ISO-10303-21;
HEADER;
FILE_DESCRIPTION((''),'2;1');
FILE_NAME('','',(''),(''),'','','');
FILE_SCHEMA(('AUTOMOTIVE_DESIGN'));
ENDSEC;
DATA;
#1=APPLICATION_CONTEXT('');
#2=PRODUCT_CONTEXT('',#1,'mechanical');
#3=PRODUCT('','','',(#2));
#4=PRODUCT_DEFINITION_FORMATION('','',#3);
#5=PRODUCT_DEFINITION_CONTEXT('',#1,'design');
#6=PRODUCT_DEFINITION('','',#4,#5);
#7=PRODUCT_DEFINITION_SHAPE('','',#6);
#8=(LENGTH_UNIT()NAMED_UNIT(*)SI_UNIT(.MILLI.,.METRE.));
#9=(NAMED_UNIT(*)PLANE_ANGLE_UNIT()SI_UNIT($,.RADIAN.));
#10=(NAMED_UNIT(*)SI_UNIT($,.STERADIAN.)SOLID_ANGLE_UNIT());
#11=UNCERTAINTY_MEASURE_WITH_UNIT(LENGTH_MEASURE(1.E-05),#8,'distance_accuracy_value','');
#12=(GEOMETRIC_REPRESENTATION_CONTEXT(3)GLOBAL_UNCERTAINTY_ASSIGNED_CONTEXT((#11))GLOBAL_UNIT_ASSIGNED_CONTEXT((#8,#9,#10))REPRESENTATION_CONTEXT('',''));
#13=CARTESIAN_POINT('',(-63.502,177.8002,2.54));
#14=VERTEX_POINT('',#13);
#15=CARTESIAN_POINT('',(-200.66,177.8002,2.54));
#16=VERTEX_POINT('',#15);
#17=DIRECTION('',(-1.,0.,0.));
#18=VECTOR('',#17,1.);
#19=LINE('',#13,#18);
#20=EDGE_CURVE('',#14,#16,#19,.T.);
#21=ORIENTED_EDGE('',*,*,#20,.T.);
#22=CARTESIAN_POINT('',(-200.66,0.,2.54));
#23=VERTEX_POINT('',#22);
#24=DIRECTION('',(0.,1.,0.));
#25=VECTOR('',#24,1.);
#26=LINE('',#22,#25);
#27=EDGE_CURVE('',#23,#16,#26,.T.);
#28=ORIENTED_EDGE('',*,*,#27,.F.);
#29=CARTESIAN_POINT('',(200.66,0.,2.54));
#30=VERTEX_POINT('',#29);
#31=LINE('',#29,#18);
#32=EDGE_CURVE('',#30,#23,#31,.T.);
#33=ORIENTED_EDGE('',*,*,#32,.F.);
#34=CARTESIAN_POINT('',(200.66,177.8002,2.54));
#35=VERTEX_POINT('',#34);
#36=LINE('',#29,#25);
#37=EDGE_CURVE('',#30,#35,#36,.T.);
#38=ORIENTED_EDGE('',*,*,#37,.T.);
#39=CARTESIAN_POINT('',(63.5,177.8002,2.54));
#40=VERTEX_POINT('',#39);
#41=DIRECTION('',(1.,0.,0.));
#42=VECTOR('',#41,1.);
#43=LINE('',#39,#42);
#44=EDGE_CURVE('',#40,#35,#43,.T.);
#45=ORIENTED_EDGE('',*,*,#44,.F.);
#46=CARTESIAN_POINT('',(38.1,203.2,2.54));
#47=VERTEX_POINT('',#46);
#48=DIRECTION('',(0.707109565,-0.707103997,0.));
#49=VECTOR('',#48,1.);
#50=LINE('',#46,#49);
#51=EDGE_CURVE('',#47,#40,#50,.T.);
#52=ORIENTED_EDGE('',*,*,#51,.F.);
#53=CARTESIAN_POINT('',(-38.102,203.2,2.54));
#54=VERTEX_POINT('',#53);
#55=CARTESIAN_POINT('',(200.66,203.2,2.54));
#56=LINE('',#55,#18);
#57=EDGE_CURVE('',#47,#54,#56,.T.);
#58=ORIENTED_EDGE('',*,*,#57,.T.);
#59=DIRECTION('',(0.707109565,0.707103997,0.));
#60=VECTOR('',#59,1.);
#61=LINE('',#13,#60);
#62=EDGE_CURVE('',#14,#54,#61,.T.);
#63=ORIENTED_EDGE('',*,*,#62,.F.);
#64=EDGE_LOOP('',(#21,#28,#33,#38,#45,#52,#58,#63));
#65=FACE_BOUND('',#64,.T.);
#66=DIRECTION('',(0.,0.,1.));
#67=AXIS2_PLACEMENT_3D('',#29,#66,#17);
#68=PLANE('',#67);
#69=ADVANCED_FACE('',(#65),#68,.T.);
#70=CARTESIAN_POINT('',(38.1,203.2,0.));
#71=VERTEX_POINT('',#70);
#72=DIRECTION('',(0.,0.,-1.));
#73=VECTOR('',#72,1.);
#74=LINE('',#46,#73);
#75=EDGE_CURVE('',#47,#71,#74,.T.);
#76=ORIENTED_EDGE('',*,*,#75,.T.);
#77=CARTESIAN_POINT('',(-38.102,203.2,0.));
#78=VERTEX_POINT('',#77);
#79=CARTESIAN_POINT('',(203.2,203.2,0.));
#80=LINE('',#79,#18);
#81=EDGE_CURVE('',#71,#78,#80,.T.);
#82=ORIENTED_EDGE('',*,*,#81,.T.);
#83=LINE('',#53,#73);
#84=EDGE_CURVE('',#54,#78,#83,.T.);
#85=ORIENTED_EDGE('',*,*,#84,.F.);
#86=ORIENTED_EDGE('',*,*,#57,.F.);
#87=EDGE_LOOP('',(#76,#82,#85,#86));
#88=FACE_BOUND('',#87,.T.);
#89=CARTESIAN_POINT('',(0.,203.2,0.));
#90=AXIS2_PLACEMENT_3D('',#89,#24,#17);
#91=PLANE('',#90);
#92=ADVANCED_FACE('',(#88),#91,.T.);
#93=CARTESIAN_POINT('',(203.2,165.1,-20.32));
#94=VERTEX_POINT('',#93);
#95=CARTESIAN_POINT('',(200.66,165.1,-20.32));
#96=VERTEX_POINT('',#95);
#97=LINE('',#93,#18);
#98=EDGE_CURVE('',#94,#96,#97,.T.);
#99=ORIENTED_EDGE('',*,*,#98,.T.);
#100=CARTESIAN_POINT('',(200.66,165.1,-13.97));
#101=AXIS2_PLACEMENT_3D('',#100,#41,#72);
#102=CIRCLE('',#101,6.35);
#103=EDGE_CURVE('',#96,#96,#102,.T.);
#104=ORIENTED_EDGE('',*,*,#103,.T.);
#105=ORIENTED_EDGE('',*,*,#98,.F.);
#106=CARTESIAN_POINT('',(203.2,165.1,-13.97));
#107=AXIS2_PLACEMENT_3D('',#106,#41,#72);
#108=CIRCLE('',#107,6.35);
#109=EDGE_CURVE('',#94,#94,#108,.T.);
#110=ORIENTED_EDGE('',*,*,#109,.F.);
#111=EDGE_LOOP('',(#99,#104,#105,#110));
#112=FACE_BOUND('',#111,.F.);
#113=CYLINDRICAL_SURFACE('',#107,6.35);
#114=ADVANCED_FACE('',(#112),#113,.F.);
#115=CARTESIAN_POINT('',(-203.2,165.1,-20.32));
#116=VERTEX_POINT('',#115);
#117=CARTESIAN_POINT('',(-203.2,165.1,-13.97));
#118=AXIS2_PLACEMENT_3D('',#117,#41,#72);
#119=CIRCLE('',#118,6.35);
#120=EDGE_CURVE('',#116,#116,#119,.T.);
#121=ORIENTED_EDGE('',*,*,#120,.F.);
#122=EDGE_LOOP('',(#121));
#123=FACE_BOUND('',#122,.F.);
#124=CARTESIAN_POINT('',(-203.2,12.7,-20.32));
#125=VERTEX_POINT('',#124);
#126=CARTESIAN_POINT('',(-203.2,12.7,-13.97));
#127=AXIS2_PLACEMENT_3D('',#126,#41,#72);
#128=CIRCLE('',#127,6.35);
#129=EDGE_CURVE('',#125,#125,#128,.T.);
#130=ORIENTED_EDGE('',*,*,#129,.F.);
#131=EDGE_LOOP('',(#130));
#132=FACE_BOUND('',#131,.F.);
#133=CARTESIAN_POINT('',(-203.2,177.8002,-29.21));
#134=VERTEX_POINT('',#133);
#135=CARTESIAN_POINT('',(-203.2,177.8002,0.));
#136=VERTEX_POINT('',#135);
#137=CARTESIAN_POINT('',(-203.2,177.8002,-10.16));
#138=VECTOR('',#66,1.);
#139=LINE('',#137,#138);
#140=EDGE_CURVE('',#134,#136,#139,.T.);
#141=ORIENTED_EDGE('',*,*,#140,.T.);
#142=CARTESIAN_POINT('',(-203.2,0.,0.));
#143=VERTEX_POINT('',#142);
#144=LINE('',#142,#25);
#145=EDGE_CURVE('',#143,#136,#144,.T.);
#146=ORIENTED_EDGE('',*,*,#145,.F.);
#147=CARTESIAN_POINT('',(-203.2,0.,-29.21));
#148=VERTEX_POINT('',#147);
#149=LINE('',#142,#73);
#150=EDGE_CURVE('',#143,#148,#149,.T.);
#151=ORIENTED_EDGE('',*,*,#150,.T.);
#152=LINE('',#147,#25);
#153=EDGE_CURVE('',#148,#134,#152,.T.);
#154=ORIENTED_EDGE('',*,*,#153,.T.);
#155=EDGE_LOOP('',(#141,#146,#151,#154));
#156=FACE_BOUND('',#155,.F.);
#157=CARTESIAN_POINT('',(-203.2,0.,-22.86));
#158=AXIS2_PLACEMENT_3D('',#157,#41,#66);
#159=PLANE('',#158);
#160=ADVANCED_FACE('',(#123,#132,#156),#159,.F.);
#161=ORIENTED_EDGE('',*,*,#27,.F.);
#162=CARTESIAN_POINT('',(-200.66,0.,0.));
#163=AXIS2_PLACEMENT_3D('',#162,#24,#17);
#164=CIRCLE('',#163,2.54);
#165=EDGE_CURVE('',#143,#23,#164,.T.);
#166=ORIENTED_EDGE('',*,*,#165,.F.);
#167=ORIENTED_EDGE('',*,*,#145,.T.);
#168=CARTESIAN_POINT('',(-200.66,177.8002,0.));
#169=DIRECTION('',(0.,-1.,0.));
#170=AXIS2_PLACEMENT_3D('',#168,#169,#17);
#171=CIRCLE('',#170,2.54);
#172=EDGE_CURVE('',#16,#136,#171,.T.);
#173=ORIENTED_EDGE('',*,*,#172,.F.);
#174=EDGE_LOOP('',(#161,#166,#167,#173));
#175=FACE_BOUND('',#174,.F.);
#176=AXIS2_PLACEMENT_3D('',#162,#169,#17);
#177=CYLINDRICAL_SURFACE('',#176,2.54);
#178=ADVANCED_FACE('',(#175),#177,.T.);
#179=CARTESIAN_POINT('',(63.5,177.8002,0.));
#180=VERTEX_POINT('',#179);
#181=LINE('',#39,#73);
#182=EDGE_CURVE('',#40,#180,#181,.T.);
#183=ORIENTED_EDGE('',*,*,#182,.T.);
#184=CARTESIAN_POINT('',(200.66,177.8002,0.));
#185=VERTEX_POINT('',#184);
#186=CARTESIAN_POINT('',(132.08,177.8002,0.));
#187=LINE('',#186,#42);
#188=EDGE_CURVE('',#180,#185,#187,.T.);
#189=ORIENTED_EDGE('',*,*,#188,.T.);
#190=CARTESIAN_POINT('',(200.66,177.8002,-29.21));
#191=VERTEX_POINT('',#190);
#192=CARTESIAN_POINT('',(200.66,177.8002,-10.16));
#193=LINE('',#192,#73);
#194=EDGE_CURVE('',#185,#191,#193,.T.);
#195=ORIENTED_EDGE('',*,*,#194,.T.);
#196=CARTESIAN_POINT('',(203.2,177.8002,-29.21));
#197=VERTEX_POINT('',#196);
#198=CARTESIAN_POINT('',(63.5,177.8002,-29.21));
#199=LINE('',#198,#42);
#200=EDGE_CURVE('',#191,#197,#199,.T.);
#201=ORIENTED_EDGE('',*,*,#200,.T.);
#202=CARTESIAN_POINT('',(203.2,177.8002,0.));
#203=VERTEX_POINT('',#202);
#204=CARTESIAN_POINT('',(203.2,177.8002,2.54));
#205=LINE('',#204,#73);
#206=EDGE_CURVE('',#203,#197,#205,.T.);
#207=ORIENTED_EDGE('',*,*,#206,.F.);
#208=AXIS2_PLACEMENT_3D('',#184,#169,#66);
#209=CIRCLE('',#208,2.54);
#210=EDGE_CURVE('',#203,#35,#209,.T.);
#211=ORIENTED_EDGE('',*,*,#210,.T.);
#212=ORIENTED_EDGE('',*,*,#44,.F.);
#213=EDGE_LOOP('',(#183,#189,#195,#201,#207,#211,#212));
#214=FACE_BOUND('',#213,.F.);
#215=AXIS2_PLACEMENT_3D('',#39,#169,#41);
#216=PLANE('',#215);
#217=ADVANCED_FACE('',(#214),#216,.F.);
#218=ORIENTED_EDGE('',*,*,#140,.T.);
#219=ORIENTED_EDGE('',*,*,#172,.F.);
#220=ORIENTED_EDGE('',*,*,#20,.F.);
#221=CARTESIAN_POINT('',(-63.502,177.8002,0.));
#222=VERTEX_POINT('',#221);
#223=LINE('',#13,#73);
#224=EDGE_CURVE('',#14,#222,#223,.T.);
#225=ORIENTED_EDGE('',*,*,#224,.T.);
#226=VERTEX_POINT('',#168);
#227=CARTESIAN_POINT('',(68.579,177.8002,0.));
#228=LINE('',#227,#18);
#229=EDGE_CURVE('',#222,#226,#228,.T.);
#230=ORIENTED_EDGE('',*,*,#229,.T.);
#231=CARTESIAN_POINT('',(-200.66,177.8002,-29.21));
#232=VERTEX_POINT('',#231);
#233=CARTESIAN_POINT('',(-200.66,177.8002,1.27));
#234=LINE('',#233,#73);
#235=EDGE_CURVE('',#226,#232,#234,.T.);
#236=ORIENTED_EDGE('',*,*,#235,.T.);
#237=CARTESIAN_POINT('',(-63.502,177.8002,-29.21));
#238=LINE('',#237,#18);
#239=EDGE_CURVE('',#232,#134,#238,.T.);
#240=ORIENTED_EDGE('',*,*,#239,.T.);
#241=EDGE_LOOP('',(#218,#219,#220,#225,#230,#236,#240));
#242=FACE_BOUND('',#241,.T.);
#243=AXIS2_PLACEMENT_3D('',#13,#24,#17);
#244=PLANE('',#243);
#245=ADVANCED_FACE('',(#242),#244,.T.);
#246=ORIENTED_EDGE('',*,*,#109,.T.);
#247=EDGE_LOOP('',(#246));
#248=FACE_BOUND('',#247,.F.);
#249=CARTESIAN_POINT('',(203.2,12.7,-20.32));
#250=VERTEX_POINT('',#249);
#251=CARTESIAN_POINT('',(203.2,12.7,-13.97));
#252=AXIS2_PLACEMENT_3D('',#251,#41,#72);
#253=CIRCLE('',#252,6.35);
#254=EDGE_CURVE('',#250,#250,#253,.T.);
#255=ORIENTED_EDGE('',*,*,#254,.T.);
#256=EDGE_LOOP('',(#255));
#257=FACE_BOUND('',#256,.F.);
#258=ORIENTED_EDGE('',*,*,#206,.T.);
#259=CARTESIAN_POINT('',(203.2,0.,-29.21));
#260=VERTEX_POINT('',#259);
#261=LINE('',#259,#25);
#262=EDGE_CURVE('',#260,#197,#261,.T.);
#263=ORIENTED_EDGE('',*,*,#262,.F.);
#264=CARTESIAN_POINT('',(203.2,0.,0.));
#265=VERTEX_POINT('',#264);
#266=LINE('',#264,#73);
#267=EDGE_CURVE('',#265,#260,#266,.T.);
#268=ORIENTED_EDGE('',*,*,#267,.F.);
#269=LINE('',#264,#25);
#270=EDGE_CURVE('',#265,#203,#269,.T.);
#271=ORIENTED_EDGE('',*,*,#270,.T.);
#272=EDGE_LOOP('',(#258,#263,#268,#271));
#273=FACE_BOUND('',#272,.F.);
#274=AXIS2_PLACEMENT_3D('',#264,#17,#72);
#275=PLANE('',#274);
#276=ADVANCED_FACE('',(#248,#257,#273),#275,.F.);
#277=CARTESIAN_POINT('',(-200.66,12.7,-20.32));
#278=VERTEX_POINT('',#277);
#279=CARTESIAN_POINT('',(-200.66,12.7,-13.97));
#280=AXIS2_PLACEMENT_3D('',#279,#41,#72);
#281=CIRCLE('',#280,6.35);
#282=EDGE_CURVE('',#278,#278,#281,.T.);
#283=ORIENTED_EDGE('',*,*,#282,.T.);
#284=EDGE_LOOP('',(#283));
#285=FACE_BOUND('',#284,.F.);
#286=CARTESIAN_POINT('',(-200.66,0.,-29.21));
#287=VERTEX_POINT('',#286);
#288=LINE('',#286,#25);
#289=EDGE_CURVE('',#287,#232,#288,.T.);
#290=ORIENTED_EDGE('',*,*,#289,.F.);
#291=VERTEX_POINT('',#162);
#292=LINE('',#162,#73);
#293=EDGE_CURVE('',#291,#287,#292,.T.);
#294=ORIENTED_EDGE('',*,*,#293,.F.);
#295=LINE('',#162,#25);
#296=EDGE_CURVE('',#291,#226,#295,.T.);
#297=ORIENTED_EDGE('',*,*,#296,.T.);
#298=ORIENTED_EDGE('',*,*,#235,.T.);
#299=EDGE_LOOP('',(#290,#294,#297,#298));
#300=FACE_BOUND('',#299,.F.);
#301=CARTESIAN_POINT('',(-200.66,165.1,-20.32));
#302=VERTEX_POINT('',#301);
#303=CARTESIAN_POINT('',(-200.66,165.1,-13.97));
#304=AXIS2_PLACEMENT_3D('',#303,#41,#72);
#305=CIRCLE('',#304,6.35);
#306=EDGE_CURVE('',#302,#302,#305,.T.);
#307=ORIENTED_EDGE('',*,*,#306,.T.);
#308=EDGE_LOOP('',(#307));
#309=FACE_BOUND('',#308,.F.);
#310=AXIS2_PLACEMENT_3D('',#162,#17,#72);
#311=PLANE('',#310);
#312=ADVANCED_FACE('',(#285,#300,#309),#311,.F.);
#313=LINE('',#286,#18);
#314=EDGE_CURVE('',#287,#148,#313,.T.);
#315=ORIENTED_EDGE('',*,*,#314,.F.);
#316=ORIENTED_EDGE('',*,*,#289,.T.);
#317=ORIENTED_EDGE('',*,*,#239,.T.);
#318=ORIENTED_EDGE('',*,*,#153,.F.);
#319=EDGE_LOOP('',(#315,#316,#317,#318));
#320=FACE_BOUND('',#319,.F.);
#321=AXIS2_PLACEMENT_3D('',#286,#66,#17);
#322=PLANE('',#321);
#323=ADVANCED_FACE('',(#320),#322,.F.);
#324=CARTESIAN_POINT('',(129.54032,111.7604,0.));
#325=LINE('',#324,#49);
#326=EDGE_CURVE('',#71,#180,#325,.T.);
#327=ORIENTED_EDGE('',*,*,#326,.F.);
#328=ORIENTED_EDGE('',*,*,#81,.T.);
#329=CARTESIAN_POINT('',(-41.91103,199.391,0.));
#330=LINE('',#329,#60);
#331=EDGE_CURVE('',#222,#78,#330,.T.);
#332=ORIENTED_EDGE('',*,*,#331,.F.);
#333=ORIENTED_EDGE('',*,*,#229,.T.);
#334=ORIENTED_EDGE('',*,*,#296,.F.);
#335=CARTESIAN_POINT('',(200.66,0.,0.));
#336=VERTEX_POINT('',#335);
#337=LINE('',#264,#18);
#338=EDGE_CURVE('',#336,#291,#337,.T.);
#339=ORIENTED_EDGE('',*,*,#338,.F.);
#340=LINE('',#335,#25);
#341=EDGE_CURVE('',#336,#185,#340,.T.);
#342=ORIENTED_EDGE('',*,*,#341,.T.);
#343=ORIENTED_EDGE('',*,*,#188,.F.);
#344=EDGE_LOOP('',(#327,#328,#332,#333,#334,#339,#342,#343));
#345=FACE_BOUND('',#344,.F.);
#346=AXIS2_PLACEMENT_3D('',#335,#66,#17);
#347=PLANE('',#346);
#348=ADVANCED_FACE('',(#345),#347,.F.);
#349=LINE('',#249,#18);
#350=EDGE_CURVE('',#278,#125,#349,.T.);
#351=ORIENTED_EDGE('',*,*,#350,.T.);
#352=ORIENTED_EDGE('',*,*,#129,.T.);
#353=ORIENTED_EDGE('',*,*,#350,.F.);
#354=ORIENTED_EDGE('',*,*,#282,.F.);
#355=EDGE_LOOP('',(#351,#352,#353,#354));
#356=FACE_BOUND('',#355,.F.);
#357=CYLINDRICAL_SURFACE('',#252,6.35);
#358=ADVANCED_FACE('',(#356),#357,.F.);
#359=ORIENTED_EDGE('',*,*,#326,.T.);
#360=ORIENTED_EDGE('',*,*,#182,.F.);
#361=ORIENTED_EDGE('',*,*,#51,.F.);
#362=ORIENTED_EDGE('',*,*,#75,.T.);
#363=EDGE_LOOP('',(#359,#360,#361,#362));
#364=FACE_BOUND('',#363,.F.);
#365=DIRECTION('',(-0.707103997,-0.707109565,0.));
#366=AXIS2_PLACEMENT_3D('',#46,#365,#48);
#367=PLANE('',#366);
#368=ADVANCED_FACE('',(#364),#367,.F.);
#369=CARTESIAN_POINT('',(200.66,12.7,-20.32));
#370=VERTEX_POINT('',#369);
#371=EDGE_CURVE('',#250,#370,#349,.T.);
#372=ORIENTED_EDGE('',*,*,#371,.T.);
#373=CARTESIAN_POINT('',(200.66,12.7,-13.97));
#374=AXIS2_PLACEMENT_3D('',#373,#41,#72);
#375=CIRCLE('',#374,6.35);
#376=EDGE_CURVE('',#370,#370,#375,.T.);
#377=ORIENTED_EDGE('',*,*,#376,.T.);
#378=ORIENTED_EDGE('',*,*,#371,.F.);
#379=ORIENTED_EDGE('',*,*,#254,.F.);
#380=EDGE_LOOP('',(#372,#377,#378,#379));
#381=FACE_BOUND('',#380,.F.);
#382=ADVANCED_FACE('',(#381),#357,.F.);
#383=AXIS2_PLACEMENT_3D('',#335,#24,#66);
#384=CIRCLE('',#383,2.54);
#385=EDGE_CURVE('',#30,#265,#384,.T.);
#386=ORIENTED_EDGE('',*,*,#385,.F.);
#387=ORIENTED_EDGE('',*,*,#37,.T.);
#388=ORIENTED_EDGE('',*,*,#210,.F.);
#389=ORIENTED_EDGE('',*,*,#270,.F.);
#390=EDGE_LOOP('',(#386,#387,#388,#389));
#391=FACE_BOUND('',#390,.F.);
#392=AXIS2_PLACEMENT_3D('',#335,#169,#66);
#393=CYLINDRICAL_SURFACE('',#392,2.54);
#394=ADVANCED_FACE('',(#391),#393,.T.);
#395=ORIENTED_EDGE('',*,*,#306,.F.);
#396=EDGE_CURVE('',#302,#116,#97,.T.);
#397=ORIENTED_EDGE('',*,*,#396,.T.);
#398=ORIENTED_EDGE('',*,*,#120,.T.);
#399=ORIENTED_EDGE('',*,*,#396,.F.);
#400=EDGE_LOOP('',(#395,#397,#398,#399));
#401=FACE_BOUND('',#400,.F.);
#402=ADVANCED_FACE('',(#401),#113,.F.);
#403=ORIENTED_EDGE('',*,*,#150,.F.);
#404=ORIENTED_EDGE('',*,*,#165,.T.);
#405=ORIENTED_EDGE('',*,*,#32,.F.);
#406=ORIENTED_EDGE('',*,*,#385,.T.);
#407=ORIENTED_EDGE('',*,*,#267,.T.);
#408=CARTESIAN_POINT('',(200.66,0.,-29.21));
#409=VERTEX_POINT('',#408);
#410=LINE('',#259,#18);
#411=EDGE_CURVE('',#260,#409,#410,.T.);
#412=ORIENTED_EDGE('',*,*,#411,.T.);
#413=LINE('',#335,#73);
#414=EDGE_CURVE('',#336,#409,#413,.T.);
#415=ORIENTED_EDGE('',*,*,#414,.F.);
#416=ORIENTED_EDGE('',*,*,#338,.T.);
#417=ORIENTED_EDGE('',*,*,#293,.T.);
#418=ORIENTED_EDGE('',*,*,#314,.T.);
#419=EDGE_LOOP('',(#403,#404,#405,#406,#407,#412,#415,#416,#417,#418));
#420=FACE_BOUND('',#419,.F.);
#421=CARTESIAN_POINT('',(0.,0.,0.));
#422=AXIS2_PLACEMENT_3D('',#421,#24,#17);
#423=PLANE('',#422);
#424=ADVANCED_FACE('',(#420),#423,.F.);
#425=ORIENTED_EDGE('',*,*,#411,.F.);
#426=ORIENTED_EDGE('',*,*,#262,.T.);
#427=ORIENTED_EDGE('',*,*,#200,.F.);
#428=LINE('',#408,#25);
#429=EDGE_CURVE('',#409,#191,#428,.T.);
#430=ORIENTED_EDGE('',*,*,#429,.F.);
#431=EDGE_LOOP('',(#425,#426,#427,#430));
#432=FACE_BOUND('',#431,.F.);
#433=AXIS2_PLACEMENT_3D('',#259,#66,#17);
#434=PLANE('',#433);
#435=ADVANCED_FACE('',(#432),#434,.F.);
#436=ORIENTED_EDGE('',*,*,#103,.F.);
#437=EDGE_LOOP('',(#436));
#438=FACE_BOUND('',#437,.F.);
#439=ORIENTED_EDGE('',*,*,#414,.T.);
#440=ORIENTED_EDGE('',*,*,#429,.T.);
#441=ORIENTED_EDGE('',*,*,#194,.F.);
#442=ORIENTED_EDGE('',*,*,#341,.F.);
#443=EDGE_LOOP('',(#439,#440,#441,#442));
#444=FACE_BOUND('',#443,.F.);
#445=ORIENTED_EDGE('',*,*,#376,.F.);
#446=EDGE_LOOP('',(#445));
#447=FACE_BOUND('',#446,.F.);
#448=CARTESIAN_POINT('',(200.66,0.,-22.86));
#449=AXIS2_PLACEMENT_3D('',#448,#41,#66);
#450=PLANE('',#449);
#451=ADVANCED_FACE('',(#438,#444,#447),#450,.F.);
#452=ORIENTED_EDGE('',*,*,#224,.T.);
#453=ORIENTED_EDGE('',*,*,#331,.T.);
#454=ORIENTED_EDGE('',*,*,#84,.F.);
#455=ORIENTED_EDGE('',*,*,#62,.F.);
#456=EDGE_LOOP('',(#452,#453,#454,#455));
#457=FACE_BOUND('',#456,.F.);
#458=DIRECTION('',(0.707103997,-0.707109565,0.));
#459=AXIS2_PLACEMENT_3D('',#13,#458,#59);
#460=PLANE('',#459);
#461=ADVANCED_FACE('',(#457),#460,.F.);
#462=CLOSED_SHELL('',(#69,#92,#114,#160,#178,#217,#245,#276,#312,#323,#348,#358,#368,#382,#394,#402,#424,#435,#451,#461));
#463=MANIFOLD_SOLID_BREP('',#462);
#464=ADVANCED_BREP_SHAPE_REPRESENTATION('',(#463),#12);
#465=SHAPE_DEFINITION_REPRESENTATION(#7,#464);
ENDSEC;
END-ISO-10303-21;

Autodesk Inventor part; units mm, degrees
ref_plane "YZ Plane" through (0, 0, 0) normal (1, 0, 0) x (0, 1, 0)
ref_plane "XZ Plane" through (0, 0, 0) normal (0, 1, 0) x (-1, 0, 0)
ref_plane "XY Plane" through (0, 0, 0) normal (0, 0, 1) x (1, 0, 0)
sketch "Sketch1" plane through (0, 0, 0) normal (0, 1, 0) x (-1, 0, 0)
  line L0 (-203.2, 0) -> (203.2, 0)
  line L1 (-200.66, 0) -> (-203.2, 0)
  line L2 (-203.2, 0) -> (-203.2, -22.86)
  line L3 (-200.66, -22.86) -> (-200.66, 0)
  line L4 (203.2, 0) -> (200.66, 0)
  line L5 (203.2, -22.86) -> (203.2, 0)
  arc A0 (-200.66, 2.54) -> (-203.2, 0) centre (-200.66, 0) ccw
  arc A1 (203.2, 0) -> (200.66, 2.54) centre (200.66, 0) ccw
  line L6 (-200.66, 2.54) -> (200.66, 2.54)
  line L7 (200.66, 0) -> (200.66, -29.21)
  line L8 (200.66, -29.21) -> (203.2, -29.21)
  line L9 (203.2, -29.21) -> (203.2, -22.86)
  line L10 (-203.2, 0) -> (-203.2, -29.21)
  line L11 (-203.2, -29.21) -> (-200.66, -29.21)
  line L12 (-200.66, -29.21) -> (-200.66, -22.86)
  line L13 (203.2, 0) -> (200.66, 0)
  point P0 (0, 0)
  dimension "d0" = 406.4
  dimension "d1" = 2.54
  dimension "d5" = 2.54
  dimension "d6" = 2.54
  dimension "d7" = 401.32
  dimension "d8" = 29.21
  dimension "d9" = 29.21
extrude "Extrusion1" add sketch "Sketch1" along normal blind 203.2
sketch "Sketch2" plane through (203.2, 0, 0) normal (1, 0, 0) x (0, 0, -1)
  circle A0 centre (13.97, 12.7) radius 6.35
  circle A1 centre (13.97, 165.1) radius 6.35
  point P0 (0, 0)
  dimension "d12" = 12.7
  dimension "d13" = 12.7
extrude "Extrusion2" cut sketch "Sketch2" against normal blind 406.4
sketch "Sketch3" plane through (-200.66, 0, 2.54) normal (0, 0, 1) x (1, 0, 0)
  line L0 (-2.54, 0) -> (-2.54, 203.2) projected
  line L1 (0, 203.2) -> (401.32, 203.2) projected
  line L2 (0, 203.2) -> (-2.54, 203.2) projected
  line L3 (403.86, 203.2) -> (401.32, 203.2) projected
  line L4 (403.86, 0) -> (403.86, 203.2) projected
  line L5 (0, 0) -> (401.32, 0) projected
  line L6 (403.86, 0) -> (401.32, 0) projected
  line L7 (0, 0) -> (-2.54, 0) projected
  line L8 (0, 177.8) -> (200.66, 177.8)
  line L9 (200.66, 177.8) -> (200.66, 203.2)
  line L10 (200.66, 203.2) -> (0, 203.2)
  line L11 (0, 177.8) -> (-2.54, 177.8)
  line L12 (-2.54, 177.8) -> (-2.54, 203.2)
  line L13 (-2.54, 203.2) -> (0, 203.2)
  line L14 (162.56, 203.2) -> (238.76, 203.2)
  line L15 (238.76, 203.2) -> (238.76, 177.8)
  line L16 (238.76, 177.8) -> (162.56, 177.8)
  line L17 (162.56, 177.8) -> (162.56, 203.2)
  point P0 (200.66, 0)
  dimension "d16" = 76.2
  dimension "d17" = 25.4
sketch "Sketch4" plane through (-200.66, 0, 2.54) normal (0, 0, 1) x (1, 0, 0)
  line L0 (0, 203.2) -> (401.32, 203.2) projected
  line L1 (162.558, 203.2) -> (198.118, 203.2) construction
  line L2 (264.16, 177.8002) -> (238.76, 177.8002)
  line L3 (238.76, 203.2) -> (264.1598, 177.8002)
  line L4 (264.1598, 177.8002) -> (406.3779, 177.8002)
  line L5 (403.86, 0) -> (403.86, 203.2) projected
  line L6 (403.86, 177.8002) -> (403.86, 203.2)
  line L7 (403.86, 203.2) -> (238.76, 203.2)
  line L8 (162.558, 177.8002) -> (137.158, 177.8002)
  line L9 (137.158, 177.8002) -> (162.558, 203.2)
  line L10 (162.558, 203.2) -> (-2.542, 203.2)
  line L11 (-2.542, 177.8002) -> (-2.542, 203.2)
  line L12 (-2.542, 203.2) -> (162.558, 203.2)
  line L13 (137.158, 177.8002) -> (-2.542, 177.8002)
  line L14 (-2.54, 0) -> (-2.54, 203.2) projected
  point P0 (200.66, 0)
  dimension "d21" = 25.4
  dimension "d22" = 165.1
extrude "Extrusion3" cut sketch "Sketch4" against normal blind 31.75
properties part number "4barFrontPlate"
